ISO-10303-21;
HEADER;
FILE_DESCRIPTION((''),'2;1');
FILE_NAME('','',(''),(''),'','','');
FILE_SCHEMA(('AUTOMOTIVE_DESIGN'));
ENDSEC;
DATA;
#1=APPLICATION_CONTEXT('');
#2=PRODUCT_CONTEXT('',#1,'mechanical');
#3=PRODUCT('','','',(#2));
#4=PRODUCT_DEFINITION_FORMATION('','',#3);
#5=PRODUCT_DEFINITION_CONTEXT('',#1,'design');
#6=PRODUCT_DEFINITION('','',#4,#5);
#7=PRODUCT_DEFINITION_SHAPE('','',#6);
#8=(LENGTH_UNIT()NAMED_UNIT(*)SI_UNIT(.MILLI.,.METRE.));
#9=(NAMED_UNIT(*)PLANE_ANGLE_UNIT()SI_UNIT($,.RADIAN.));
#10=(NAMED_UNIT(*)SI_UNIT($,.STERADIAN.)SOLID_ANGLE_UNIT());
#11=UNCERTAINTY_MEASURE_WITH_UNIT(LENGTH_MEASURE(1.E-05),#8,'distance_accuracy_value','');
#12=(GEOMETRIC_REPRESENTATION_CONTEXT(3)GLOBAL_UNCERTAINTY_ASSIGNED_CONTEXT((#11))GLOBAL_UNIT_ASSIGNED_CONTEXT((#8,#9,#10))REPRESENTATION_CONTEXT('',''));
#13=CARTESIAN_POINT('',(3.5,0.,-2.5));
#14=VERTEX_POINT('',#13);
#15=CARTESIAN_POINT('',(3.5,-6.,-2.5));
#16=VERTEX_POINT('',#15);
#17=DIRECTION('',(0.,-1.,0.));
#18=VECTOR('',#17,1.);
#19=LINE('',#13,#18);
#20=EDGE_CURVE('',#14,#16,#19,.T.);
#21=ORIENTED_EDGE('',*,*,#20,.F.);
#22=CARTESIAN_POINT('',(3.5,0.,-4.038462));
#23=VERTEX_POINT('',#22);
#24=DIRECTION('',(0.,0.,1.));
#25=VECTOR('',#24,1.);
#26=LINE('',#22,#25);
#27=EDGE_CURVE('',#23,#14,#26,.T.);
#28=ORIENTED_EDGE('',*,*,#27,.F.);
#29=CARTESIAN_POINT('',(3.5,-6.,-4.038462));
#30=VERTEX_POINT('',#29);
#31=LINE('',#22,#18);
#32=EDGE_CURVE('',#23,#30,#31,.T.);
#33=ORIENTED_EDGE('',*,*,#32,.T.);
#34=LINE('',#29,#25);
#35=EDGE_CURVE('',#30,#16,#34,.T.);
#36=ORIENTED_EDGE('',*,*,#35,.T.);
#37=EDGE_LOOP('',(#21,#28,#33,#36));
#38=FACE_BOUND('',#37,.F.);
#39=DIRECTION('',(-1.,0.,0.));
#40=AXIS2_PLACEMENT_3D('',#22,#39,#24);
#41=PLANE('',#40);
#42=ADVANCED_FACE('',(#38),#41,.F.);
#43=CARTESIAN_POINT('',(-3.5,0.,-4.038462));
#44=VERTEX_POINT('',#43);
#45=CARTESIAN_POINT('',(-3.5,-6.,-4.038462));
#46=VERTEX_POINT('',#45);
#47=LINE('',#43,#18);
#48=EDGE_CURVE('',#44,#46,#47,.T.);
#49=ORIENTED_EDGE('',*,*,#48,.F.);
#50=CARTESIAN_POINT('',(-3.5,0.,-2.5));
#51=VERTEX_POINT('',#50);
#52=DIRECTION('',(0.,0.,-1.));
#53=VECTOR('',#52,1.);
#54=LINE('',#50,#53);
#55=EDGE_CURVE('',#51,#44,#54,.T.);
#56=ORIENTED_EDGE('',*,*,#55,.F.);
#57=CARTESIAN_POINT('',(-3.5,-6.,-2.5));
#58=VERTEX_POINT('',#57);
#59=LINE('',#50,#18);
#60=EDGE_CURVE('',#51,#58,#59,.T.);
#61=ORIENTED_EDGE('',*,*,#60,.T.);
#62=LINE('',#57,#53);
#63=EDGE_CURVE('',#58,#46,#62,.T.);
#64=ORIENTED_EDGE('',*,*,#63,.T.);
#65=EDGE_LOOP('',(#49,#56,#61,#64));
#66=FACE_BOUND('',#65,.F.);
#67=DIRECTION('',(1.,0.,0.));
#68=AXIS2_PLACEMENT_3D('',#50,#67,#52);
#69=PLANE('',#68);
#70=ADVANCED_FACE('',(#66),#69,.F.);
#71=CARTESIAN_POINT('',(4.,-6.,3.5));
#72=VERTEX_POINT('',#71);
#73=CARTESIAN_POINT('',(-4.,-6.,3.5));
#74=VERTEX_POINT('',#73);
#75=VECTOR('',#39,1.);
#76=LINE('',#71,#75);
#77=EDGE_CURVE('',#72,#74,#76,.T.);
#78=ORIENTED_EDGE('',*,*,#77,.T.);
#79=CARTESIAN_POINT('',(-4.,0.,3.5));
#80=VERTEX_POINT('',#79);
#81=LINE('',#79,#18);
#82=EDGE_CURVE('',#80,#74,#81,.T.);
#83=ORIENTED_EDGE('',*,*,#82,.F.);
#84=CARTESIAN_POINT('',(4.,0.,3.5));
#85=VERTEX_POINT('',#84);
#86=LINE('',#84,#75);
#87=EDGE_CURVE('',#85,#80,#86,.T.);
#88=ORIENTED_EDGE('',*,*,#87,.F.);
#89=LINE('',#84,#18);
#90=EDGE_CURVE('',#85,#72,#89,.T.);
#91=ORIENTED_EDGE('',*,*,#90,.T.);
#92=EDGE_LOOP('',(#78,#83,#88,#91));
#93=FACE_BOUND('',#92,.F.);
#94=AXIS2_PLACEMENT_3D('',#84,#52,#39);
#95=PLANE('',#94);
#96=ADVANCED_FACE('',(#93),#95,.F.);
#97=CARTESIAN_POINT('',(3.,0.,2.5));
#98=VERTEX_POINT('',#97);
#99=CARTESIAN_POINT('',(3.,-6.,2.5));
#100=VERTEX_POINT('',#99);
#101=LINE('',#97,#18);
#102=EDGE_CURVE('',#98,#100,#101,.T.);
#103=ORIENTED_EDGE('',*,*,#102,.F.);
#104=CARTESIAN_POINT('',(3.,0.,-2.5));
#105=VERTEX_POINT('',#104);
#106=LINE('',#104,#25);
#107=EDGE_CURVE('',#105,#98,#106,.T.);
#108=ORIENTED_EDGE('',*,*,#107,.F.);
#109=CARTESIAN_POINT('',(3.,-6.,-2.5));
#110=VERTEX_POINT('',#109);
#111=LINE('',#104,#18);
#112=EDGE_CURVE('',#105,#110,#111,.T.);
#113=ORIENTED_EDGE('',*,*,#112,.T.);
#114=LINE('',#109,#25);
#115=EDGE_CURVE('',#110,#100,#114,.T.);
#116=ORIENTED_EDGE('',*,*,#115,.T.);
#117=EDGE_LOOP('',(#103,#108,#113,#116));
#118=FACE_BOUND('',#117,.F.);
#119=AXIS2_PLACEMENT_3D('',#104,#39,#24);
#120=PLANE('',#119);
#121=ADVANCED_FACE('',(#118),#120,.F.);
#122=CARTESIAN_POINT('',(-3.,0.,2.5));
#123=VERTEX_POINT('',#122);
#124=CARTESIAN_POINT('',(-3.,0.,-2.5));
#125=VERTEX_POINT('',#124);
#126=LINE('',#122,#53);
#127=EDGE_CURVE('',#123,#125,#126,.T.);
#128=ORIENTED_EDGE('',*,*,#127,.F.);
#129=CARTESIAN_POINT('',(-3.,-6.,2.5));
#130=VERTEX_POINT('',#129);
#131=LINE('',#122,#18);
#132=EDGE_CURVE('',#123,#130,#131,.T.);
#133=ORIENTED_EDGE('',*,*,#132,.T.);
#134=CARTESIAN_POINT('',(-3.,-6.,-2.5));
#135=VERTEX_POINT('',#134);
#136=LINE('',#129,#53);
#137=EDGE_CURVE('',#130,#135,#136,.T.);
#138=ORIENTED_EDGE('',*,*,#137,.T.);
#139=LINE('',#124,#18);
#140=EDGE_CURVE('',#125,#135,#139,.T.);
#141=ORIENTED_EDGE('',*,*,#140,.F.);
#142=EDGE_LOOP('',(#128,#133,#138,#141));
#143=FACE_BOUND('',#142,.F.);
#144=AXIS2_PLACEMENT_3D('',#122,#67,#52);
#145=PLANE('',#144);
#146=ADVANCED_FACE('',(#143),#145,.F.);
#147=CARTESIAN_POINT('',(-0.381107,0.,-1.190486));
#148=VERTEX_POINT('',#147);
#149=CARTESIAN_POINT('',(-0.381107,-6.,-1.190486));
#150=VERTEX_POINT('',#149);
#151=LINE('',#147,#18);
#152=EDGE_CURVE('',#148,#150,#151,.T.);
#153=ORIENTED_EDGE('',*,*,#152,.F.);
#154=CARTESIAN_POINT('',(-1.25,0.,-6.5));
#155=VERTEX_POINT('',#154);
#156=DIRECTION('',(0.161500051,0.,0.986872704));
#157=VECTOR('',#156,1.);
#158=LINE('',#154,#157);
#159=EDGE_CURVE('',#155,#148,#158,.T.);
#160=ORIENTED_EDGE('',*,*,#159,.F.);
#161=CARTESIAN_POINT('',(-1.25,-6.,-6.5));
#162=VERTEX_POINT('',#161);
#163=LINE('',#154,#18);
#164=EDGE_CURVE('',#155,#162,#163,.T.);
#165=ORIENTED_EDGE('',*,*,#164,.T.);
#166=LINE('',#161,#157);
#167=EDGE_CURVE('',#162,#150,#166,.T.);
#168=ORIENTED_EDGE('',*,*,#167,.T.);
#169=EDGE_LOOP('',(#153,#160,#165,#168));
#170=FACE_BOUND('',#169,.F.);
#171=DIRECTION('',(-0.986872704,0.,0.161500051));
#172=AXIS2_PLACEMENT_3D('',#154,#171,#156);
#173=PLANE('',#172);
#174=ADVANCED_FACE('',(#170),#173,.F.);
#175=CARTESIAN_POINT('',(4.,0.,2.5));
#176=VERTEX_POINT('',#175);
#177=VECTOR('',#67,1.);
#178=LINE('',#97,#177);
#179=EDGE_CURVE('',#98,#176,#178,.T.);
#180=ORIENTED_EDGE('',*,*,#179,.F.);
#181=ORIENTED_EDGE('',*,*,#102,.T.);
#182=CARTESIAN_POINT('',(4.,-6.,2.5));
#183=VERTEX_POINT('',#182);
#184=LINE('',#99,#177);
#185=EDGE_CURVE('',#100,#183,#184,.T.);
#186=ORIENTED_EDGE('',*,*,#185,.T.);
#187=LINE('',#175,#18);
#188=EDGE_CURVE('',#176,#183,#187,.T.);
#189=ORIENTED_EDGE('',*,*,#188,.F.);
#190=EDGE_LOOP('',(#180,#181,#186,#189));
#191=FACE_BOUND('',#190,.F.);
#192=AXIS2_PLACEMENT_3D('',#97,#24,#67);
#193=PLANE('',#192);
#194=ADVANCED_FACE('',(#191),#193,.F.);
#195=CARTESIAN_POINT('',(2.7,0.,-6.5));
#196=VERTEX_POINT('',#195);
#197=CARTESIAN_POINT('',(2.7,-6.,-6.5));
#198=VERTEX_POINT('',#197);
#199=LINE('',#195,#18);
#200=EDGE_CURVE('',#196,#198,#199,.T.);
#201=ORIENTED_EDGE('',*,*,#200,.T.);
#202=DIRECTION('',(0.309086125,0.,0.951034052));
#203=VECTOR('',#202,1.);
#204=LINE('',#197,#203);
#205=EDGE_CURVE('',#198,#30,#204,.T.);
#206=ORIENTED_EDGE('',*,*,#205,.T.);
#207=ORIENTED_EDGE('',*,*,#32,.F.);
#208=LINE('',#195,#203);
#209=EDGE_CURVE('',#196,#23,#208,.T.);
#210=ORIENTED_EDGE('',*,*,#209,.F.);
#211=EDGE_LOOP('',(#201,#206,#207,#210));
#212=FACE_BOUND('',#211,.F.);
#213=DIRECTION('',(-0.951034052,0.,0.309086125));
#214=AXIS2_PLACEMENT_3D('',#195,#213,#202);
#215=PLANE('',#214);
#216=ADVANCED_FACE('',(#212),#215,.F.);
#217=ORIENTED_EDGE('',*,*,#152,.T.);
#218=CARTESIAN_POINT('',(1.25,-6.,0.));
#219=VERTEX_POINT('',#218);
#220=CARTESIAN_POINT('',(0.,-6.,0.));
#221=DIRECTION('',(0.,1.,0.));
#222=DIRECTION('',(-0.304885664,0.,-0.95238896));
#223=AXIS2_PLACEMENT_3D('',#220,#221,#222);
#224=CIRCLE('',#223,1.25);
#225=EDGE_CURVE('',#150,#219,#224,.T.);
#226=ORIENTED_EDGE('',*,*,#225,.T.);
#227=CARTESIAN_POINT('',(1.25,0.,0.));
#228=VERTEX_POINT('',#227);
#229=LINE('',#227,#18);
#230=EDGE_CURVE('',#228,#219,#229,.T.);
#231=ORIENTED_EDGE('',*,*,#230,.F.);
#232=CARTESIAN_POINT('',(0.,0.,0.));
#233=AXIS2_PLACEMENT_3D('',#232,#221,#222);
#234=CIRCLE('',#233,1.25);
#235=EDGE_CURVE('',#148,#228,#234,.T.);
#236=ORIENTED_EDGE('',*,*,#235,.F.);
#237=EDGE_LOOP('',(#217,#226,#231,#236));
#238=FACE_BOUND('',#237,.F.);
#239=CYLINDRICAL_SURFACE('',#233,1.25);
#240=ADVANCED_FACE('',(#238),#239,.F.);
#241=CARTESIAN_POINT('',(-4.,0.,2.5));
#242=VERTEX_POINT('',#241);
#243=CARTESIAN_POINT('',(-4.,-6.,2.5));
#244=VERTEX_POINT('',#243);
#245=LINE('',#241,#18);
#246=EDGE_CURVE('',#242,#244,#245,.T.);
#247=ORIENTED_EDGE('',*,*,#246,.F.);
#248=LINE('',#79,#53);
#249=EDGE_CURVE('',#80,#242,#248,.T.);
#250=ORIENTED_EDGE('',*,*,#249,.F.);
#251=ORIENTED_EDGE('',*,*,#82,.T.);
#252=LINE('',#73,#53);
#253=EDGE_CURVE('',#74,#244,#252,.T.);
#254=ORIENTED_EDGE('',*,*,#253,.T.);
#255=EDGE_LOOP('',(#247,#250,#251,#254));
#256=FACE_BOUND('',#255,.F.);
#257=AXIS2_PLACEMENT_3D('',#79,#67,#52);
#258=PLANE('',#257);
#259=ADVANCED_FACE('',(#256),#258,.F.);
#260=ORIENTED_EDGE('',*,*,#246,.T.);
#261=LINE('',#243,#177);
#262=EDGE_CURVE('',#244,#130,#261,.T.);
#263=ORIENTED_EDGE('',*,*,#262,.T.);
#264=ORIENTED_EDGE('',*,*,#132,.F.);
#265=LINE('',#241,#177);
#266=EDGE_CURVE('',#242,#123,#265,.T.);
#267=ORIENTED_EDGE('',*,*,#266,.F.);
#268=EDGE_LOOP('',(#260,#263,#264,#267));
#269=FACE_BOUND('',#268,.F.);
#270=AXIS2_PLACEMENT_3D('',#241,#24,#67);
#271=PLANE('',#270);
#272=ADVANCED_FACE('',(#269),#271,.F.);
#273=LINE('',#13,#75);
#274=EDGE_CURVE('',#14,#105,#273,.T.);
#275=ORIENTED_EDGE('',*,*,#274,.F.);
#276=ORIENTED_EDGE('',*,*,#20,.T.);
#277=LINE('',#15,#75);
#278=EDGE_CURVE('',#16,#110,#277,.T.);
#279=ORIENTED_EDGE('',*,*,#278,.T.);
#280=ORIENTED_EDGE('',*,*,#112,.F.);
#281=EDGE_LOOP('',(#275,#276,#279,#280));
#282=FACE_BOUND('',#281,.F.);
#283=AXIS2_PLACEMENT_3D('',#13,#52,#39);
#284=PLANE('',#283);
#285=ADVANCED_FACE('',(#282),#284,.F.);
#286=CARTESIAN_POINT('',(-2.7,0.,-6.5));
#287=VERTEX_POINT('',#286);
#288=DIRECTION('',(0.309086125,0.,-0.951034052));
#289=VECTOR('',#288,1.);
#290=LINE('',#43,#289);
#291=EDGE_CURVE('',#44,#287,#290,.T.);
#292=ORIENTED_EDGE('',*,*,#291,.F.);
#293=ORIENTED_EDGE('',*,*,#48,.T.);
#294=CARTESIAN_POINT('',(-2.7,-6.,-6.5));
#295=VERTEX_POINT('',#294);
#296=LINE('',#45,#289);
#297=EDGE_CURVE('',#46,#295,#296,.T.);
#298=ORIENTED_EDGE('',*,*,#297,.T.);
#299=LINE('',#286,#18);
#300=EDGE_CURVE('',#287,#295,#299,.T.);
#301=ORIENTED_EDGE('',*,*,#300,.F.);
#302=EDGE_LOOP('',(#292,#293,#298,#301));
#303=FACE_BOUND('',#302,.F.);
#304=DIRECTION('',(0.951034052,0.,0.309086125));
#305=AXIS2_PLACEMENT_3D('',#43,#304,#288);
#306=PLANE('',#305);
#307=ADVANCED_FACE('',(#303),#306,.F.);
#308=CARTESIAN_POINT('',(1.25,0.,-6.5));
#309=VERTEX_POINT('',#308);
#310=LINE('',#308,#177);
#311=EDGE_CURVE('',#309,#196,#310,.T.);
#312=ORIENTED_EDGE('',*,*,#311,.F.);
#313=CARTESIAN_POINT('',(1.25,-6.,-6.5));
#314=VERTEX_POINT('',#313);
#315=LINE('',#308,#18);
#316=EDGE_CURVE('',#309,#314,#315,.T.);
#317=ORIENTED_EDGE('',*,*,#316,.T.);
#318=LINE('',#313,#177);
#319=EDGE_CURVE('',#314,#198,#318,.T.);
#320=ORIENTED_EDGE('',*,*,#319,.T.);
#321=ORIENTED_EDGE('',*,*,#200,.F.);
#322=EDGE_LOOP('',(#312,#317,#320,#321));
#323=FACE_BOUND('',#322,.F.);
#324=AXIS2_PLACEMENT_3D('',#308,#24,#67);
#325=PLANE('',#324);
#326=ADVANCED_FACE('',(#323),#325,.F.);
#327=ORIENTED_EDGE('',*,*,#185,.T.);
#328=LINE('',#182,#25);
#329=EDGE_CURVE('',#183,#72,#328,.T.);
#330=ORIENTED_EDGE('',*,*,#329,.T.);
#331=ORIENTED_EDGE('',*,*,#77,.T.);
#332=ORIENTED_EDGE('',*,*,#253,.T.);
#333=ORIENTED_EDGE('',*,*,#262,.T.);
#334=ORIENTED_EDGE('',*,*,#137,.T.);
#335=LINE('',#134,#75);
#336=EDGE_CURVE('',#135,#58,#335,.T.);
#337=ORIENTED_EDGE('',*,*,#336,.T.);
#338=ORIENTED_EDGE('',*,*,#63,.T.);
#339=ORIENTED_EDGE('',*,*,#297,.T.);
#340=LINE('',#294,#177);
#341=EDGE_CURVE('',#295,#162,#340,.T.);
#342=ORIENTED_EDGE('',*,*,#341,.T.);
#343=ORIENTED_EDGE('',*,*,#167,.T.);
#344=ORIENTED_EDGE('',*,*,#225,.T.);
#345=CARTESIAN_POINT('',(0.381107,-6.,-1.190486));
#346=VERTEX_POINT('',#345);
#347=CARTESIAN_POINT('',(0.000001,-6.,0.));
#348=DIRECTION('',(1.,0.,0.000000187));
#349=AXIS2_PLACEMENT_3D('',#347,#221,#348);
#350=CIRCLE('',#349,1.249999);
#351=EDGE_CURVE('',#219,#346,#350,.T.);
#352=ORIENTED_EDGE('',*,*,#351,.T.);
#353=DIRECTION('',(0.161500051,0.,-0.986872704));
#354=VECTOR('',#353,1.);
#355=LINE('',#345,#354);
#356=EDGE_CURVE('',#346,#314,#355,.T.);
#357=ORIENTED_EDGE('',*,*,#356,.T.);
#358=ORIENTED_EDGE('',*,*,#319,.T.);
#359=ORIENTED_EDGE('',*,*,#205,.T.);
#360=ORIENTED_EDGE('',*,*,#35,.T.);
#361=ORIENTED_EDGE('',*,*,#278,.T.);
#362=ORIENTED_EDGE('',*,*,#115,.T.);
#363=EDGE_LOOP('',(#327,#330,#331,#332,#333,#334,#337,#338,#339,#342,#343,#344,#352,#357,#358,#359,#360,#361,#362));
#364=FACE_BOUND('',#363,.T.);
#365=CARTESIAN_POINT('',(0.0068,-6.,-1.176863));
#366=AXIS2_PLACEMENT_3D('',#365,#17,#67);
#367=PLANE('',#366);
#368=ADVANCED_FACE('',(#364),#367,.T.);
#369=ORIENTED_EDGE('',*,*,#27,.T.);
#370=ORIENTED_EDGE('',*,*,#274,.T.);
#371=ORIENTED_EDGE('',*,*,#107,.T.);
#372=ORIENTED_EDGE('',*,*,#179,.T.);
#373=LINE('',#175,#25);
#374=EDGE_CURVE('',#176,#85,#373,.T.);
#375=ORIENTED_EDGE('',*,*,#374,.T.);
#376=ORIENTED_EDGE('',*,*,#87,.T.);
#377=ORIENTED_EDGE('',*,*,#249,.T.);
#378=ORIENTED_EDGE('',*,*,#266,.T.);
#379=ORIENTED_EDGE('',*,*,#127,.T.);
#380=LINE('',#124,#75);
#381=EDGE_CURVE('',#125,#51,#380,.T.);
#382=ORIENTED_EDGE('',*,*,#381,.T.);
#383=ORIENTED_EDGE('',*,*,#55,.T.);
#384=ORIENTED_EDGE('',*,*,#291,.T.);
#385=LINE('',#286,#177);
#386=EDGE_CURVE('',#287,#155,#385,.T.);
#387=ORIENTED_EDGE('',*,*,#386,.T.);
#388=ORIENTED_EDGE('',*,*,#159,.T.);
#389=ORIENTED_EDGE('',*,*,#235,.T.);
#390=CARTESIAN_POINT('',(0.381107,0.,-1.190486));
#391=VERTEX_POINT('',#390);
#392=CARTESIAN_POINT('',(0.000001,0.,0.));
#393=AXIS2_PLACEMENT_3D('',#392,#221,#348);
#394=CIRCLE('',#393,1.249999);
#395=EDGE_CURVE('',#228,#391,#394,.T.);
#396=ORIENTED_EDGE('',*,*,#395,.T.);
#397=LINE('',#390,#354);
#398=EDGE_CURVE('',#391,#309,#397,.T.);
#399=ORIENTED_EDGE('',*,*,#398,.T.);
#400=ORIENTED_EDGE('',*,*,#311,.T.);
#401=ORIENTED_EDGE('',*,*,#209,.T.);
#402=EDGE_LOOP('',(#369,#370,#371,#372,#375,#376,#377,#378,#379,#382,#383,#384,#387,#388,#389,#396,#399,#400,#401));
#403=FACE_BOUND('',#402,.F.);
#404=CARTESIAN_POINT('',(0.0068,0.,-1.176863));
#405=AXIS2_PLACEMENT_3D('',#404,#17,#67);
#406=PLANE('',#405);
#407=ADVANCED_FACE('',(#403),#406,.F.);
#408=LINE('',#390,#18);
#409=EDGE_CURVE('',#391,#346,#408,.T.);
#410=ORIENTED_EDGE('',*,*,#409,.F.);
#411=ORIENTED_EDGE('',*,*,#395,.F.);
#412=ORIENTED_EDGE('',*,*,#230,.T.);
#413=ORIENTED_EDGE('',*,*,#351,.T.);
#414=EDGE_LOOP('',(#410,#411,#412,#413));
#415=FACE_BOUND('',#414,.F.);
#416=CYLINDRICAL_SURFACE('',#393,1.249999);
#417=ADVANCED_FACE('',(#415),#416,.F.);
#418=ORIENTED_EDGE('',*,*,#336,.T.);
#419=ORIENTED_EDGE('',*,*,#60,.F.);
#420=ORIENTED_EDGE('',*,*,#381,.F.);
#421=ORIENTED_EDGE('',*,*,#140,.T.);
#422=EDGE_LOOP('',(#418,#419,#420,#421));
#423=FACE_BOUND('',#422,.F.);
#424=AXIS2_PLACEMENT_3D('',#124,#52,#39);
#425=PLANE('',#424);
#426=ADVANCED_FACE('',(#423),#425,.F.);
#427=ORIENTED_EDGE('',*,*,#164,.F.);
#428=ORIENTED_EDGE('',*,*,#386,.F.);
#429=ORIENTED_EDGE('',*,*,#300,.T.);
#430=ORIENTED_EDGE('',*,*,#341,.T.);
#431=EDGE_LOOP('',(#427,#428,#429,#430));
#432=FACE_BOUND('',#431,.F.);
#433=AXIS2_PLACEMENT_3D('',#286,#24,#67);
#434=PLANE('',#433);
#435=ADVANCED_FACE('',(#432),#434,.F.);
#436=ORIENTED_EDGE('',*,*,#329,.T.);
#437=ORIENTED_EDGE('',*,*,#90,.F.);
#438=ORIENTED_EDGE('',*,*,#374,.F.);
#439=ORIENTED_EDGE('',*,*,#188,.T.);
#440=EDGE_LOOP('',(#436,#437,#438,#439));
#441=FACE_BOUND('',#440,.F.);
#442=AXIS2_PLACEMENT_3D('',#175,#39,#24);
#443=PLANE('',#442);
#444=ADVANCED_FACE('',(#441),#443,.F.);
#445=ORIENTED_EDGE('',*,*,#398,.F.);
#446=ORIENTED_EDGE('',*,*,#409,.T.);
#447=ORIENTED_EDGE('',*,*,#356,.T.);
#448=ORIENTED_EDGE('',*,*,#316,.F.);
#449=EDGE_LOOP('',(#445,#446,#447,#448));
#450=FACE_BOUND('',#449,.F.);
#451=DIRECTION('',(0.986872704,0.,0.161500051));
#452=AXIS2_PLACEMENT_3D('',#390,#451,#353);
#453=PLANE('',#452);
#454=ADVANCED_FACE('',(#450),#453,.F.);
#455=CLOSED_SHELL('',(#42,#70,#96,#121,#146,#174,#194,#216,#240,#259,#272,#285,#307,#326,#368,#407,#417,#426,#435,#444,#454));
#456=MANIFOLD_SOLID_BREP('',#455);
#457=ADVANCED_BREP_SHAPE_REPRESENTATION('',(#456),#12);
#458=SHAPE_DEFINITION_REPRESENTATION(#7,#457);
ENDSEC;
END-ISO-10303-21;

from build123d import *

# Parameters (mm, degrees)
F1_DEPTH = 6


with BuildPart() as f1:
    # F0 (on Front) → F1 (new body)
    with BuildSketch(Plane.XZ):
        with BuildLine():
            Line((4, 3.5), (-4, 3.5))
            Line((-4, 3.5), (-4, 2.5))
            Line((-4, 2.5), (-3, 2.5))
            Line((-3, 2.5), (-3, -2.5))
            Line((-3, -2.5), (-3.5, -2.5))
            Line((-3.5, -2.5), (-3.5, -4.038462))
            Line((-3.5, -4.038462), (-2.7, -6.5))
            Line((-2.7, -6.5), (-1.25, -6.5))
            Line((-1.25, -6.5), (-0.381107, -1.190486))
            ThreePointArc((-0.381107, -1.190486), (-0.736925, 1.009674), (1.25, 0))
            ThreePointArc((1.25, 0), (1.009674, -0.736925), (0.381107, -1.190486))
            Line((0.381107, -1.190486), (1.25, -6.5))
            Line((1.25, -6.5), (2.7, -6.5))
            Line((2.7, -6.5), (3.5, -4.038462))
            Line((3.5, -4.038462), (3.5, -2.5))
            Line((3.5, -2.5), (3, -2.5))
            Line((3, -2.5), (3, 2.5))
            Line((3, 2.5), (4, 2.5))
            Line((4, 2.5), (4, 3.5))
        make_face()
    extrude(amount=F1_DEPTH)


solid = f1.part
